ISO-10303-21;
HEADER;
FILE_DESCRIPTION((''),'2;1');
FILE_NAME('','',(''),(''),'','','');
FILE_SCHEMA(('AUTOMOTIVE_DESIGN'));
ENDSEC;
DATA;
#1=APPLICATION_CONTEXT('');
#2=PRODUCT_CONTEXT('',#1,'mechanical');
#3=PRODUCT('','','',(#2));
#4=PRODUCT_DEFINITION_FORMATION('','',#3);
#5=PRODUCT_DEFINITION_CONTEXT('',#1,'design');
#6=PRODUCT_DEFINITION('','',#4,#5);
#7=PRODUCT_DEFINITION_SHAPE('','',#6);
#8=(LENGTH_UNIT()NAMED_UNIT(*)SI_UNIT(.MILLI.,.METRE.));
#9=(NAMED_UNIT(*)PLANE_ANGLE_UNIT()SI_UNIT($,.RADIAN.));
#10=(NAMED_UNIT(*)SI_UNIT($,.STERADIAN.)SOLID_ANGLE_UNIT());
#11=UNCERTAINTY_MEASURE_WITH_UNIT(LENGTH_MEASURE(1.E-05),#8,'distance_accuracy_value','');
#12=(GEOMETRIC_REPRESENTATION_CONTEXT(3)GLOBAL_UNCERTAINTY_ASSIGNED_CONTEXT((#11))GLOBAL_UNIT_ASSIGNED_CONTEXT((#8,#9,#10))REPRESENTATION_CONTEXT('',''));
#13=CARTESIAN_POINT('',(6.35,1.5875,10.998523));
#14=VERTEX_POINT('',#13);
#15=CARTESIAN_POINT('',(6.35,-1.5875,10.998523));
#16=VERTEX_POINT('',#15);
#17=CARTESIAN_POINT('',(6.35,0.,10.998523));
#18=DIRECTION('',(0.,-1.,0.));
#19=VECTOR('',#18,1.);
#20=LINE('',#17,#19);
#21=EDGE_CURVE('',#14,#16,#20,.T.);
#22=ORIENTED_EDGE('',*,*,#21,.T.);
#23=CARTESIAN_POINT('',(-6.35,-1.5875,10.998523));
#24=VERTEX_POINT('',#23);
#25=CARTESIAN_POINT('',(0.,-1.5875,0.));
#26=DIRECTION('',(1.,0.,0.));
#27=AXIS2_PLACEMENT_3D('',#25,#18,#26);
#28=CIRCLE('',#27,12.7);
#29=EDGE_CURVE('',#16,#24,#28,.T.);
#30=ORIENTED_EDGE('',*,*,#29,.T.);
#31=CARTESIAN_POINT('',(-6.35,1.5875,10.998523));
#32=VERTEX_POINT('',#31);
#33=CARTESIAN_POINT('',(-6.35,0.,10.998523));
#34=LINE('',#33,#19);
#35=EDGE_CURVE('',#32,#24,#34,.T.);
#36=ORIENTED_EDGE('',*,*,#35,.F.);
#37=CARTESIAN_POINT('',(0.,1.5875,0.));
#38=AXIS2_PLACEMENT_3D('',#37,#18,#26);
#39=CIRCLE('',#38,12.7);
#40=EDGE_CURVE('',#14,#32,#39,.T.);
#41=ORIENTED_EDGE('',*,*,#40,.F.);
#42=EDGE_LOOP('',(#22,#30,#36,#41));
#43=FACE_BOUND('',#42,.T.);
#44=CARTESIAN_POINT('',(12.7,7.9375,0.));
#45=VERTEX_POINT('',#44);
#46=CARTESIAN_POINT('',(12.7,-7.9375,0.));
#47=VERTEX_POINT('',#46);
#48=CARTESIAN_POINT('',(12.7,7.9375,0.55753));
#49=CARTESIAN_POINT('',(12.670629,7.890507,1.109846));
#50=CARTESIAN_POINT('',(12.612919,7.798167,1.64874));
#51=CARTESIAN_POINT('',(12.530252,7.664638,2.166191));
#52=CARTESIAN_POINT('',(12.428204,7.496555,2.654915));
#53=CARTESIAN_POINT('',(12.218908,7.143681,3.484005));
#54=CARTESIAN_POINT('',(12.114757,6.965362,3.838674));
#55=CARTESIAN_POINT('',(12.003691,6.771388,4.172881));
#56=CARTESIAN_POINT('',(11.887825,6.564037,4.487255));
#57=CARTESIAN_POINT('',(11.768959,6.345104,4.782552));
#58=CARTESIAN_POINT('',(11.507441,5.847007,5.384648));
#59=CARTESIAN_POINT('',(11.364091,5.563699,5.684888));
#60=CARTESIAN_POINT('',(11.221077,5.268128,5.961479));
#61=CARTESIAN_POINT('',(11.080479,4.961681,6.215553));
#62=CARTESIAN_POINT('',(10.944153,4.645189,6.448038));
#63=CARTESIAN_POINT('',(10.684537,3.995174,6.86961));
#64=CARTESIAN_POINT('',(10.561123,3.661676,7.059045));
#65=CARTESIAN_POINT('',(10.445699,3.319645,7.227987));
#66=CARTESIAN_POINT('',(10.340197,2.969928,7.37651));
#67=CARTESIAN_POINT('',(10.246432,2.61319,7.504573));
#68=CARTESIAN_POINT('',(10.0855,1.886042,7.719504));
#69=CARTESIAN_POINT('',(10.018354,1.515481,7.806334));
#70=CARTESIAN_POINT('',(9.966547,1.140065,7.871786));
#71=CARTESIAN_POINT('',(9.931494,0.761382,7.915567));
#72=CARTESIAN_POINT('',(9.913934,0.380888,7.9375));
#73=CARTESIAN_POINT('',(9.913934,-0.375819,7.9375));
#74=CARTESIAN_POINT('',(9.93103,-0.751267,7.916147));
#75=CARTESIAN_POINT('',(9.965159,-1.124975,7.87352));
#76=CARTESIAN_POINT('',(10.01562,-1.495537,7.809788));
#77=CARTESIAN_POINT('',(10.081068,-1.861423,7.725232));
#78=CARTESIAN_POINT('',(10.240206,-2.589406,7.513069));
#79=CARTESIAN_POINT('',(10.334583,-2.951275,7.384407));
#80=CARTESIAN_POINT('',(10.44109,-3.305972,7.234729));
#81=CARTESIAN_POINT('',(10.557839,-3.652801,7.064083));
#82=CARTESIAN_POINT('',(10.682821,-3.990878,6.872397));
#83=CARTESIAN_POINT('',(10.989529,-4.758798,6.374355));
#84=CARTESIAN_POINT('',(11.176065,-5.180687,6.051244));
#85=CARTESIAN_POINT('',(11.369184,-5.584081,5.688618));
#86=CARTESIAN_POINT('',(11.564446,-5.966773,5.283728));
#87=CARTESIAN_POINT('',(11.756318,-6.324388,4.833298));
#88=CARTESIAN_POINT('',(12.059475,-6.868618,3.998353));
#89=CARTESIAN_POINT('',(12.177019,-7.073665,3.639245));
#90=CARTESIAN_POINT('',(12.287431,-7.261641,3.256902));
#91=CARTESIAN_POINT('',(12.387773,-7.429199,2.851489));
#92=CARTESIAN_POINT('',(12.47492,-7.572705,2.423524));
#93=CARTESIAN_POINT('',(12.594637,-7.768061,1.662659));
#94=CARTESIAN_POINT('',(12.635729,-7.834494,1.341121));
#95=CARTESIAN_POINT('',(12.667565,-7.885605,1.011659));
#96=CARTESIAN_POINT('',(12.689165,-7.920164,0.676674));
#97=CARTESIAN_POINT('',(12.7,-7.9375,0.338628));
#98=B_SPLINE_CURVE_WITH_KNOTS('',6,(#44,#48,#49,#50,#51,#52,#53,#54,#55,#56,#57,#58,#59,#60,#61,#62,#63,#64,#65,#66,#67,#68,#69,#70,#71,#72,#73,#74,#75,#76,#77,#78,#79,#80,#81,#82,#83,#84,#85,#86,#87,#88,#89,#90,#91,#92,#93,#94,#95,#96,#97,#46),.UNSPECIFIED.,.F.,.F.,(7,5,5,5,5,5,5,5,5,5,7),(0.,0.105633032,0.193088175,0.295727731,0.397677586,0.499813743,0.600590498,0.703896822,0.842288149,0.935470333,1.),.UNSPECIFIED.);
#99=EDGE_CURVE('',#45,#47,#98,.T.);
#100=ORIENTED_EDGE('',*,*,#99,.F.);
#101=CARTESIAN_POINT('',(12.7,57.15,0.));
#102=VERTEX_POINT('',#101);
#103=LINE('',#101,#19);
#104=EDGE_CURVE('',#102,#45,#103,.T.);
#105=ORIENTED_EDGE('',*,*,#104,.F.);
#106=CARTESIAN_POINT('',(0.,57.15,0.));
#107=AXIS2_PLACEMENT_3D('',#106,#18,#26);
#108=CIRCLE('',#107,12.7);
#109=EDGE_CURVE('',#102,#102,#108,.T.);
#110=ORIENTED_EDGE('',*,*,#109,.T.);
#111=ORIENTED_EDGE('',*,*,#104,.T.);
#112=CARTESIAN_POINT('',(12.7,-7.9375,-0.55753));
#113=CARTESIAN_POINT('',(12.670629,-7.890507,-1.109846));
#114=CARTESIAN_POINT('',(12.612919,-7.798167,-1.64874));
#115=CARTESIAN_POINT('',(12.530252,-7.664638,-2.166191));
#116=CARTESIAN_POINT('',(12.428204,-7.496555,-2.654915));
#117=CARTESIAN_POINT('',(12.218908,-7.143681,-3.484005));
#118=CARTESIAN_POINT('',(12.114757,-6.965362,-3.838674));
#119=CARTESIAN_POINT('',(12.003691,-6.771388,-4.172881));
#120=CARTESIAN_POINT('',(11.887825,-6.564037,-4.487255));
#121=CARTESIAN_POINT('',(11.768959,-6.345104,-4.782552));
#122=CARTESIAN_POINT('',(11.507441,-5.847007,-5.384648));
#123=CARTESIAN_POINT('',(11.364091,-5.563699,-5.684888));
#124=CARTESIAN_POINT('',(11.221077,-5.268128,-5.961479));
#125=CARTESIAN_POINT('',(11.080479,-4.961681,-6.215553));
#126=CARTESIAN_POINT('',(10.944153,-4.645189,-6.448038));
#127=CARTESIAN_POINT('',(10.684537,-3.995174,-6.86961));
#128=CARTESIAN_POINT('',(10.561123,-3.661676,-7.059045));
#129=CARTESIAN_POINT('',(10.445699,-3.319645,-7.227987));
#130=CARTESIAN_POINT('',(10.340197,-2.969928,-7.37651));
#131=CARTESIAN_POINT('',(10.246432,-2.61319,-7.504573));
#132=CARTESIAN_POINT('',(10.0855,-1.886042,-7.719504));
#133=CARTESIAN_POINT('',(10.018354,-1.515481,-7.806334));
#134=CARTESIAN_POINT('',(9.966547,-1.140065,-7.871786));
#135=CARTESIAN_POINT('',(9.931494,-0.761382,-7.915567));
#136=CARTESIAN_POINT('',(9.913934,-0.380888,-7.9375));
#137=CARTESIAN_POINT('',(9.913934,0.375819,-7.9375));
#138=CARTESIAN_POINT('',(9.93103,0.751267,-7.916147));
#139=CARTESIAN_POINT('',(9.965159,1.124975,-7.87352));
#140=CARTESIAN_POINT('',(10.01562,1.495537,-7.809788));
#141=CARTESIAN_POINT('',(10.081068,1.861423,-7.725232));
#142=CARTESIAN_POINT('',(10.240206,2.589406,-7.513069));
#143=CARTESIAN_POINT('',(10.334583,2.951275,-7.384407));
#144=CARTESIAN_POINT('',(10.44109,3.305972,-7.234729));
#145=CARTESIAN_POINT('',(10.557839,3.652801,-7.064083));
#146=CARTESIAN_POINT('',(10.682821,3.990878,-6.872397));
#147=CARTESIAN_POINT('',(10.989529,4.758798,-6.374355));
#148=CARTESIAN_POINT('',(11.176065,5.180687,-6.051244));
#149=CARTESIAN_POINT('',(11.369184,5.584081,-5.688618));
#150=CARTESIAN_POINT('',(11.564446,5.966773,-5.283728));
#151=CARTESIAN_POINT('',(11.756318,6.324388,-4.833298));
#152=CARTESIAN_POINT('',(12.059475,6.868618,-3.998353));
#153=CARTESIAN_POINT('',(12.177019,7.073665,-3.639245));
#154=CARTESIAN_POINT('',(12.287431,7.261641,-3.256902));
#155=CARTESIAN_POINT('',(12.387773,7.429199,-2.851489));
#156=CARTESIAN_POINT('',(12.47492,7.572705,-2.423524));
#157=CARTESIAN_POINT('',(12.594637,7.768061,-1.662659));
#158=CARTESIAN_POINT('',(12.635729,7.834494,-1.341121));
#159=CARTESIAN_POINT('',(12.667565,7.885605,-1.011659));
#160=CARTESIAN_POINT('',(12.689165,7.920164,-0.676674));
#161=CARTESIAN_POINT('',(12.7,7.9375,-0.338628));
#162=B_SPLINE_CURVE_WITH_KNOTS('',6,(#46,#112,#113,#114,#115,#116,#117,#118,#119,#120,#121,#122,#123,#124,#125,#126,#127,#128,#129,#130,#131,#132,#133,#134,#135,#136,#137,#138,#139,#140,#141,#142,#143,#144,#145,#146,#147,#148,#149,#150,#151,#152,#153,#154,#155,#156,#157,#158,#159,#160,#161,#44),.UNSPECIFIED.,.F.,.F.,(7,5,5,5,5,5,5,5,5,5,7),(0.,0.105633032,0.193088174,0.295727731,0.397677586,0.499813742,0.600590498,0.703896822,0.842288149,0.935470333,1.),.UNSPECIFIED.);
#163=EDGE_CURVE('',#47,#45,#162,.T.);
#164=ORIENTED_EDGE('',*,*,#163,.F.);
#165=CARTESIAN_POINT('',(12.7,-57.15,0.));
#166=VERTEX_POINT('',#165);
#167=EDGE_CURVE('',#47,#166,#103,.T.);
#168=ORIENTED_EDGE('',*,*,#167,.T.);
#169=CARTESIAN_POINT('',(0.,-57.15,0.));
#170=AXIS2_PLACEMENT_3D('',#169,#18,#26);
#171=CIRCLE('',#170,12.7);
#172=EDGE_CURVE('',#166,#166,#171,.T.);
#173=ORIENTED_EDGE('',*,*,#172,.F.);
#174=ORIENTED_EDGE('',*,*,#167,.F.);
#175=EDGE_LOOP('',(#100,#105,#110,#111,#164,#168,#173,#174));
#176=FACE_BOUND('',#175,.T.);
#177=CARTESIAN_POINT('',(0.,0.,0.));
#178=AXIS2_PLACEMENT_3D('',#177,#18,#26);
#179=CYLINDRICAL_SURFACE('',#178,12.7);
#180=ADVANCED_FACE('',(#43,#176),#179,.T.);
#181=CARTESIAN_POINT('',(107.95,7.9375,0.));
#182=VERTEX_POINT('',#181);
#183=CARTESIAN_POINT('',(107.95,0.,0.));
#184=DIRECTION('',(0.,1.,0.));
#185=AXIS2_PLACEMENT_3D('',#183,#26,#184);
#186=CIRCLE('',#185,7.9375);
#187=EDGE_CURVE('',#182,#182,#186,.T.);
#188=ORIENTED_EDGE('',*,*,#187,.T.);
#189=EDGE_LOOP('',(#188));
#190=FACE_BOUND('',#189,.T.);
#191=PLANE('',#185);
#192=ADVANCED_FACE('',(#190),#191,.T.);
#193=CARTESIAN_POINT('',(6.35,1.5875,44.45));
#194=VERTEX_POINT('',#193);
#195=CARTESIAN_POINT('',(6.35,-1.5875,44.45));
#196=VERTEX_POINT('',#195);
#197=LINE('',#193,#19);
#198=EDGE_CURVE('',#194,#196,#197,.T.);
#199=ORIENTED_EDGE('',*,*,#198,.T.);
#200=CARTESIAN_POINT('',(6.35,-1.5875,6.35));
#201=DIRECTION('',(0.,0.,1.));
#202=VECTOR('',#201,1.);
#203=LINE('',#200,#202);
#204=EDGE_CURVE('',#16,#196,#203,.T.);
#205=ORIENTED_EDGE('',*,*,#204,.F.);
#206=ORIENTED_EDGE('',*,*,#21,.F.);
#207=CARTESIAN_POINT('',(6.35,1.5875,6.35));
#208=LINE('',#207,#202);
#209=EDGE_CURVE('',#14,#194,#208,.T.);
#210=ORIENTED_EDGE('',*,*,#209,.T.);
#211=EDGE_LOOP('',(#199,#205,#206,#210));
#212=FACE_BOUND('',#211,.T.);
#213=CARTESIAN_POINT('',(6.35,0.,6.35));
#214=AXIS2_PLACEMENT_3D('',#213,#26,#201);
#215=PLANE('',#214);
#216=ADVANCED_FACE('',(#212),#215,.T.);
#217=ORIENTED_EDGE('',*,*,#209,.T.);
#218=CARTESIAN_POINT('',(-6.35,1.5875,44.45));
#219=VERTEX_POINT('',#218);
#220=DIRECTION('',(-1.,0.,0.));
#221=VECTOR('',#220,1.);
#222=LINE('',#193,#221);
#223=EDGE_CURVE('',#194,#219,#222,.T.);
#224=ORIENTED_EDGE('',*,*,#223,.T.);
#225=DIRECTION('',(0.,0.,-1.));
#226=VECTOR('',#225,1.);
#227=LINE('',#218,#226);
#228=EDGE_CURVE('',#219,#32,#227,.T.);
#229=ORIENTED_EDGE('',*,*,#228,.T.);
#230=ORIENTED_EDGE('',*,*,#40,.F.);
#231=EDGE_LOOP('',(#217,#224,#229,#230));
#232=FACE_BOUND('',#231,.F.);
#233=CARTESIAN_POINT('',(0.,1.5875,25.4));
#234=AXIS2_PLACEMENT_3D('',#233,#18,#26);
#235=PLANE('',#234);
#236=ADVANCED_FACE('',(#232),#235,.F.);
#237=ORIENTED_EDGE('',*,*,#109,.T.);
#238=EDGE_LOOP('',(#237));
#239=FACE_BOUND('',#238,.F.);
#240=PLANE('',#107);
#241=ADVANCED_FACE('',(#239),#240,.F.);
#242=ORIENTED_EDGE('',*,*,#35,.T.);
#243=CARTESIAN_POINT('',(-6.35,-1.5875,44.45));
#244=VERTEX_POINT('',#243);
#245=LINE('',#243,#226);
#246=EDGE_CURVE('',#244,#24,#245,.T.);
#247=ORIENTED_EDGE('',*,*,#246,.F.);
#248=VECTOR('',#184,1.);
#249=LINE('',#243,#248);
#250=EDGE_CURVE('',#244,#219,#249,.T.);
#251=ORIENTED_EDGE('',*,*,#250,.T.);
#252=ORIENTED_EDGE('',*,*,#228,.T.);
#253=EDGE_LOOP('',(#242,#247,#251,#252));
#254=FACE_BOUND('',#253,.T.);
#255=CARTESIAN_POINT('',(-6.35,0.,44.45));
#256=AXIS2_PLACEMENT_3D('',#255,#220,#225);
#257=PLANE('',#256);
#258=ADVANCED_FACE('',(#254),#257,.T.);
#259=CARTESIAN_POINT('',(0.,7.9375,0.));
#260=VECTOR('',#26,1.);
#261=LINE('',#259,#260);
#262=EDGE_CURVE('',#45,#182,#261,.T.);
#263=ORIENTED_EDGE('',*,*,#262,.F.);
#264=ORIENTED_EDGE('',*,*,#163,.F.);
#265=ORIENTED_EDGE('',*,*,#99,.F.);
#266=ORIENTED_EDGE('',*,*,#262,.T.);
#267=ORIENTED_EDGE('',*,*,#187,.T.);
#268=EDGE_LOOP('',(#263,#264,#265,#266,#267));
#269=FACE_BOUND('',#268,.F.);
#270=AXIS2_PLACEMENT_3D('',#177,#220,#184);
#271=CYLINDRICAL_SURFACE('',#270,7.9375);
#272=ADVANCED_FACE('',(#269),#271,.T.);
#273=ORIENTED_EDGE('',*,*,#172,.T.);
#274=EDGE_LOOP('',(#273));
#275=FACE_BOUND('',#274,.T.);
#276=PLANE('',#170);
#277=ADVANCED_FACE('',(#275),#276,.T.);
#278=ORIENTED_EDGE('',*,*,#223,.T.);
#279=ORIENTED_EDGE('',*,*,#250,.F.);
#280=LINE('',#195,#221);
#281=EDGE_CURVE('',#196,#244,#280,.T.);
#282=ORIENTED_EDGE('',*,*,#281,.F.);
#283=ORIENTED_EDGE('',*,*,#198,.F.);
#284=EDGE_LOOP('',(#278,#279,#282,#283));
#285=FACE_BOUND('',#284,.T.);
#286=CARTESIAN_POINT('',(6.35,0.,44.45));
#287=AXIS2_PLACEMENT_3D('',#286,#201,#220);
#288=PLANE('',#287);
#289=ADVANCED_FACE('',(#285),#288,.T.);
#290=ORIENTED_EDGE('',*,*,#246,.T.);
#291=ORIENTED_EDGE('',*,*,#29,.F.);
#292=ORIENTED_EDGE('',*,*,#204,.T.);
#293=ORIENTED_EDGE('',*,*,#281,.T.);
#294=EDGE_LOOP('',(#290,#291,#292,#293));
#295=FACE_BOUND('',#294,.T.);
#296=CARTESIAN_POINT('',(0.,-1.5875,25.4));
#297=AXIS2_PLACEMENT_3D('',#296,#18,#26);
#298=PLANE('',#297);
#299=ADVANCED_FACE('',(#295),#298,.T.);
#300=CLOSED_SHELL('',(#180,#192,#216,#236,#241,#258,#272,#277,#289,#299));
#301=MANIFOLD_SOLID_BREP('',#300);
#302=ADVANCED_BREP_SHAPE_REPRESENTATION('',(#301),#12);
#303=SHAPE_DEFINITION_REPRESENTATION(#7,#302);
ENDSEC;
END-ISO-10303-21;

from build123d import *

# Parameters (mm, degrees)
F1_R     = 7.9375
F2_DEPTH = 107.95
F0_R     = 12.7
F3_DEPTH = 57.15
F5_DEPTH = 1.5875


with BuildPart() as f2:
    # F1 (on Right) → F2 (new body)
    with BuildSketch(Plane.YZ):
        Circle(F1_R)
    extrude(amount=F2_DEPTH)

    # F0 (on Front) → F3 (join, symmetric)
    with BuildSketch(Plane.XZ):
        Circle(F0_R)
    extrude(amount=F3_DEPTH, both=True)

    # F4 (on Front) → F5 (join, symmetric)
    with BuildSketch(Plane.XZ):
        Polygon((-6.35, 6.35), (0, 6.35), (6.35, 6.35), (6.35, 44.45), (-6.35, 44.45), align=None)
    extrude(amount=F5_DEPTH, both=True)


solid = f2.part
